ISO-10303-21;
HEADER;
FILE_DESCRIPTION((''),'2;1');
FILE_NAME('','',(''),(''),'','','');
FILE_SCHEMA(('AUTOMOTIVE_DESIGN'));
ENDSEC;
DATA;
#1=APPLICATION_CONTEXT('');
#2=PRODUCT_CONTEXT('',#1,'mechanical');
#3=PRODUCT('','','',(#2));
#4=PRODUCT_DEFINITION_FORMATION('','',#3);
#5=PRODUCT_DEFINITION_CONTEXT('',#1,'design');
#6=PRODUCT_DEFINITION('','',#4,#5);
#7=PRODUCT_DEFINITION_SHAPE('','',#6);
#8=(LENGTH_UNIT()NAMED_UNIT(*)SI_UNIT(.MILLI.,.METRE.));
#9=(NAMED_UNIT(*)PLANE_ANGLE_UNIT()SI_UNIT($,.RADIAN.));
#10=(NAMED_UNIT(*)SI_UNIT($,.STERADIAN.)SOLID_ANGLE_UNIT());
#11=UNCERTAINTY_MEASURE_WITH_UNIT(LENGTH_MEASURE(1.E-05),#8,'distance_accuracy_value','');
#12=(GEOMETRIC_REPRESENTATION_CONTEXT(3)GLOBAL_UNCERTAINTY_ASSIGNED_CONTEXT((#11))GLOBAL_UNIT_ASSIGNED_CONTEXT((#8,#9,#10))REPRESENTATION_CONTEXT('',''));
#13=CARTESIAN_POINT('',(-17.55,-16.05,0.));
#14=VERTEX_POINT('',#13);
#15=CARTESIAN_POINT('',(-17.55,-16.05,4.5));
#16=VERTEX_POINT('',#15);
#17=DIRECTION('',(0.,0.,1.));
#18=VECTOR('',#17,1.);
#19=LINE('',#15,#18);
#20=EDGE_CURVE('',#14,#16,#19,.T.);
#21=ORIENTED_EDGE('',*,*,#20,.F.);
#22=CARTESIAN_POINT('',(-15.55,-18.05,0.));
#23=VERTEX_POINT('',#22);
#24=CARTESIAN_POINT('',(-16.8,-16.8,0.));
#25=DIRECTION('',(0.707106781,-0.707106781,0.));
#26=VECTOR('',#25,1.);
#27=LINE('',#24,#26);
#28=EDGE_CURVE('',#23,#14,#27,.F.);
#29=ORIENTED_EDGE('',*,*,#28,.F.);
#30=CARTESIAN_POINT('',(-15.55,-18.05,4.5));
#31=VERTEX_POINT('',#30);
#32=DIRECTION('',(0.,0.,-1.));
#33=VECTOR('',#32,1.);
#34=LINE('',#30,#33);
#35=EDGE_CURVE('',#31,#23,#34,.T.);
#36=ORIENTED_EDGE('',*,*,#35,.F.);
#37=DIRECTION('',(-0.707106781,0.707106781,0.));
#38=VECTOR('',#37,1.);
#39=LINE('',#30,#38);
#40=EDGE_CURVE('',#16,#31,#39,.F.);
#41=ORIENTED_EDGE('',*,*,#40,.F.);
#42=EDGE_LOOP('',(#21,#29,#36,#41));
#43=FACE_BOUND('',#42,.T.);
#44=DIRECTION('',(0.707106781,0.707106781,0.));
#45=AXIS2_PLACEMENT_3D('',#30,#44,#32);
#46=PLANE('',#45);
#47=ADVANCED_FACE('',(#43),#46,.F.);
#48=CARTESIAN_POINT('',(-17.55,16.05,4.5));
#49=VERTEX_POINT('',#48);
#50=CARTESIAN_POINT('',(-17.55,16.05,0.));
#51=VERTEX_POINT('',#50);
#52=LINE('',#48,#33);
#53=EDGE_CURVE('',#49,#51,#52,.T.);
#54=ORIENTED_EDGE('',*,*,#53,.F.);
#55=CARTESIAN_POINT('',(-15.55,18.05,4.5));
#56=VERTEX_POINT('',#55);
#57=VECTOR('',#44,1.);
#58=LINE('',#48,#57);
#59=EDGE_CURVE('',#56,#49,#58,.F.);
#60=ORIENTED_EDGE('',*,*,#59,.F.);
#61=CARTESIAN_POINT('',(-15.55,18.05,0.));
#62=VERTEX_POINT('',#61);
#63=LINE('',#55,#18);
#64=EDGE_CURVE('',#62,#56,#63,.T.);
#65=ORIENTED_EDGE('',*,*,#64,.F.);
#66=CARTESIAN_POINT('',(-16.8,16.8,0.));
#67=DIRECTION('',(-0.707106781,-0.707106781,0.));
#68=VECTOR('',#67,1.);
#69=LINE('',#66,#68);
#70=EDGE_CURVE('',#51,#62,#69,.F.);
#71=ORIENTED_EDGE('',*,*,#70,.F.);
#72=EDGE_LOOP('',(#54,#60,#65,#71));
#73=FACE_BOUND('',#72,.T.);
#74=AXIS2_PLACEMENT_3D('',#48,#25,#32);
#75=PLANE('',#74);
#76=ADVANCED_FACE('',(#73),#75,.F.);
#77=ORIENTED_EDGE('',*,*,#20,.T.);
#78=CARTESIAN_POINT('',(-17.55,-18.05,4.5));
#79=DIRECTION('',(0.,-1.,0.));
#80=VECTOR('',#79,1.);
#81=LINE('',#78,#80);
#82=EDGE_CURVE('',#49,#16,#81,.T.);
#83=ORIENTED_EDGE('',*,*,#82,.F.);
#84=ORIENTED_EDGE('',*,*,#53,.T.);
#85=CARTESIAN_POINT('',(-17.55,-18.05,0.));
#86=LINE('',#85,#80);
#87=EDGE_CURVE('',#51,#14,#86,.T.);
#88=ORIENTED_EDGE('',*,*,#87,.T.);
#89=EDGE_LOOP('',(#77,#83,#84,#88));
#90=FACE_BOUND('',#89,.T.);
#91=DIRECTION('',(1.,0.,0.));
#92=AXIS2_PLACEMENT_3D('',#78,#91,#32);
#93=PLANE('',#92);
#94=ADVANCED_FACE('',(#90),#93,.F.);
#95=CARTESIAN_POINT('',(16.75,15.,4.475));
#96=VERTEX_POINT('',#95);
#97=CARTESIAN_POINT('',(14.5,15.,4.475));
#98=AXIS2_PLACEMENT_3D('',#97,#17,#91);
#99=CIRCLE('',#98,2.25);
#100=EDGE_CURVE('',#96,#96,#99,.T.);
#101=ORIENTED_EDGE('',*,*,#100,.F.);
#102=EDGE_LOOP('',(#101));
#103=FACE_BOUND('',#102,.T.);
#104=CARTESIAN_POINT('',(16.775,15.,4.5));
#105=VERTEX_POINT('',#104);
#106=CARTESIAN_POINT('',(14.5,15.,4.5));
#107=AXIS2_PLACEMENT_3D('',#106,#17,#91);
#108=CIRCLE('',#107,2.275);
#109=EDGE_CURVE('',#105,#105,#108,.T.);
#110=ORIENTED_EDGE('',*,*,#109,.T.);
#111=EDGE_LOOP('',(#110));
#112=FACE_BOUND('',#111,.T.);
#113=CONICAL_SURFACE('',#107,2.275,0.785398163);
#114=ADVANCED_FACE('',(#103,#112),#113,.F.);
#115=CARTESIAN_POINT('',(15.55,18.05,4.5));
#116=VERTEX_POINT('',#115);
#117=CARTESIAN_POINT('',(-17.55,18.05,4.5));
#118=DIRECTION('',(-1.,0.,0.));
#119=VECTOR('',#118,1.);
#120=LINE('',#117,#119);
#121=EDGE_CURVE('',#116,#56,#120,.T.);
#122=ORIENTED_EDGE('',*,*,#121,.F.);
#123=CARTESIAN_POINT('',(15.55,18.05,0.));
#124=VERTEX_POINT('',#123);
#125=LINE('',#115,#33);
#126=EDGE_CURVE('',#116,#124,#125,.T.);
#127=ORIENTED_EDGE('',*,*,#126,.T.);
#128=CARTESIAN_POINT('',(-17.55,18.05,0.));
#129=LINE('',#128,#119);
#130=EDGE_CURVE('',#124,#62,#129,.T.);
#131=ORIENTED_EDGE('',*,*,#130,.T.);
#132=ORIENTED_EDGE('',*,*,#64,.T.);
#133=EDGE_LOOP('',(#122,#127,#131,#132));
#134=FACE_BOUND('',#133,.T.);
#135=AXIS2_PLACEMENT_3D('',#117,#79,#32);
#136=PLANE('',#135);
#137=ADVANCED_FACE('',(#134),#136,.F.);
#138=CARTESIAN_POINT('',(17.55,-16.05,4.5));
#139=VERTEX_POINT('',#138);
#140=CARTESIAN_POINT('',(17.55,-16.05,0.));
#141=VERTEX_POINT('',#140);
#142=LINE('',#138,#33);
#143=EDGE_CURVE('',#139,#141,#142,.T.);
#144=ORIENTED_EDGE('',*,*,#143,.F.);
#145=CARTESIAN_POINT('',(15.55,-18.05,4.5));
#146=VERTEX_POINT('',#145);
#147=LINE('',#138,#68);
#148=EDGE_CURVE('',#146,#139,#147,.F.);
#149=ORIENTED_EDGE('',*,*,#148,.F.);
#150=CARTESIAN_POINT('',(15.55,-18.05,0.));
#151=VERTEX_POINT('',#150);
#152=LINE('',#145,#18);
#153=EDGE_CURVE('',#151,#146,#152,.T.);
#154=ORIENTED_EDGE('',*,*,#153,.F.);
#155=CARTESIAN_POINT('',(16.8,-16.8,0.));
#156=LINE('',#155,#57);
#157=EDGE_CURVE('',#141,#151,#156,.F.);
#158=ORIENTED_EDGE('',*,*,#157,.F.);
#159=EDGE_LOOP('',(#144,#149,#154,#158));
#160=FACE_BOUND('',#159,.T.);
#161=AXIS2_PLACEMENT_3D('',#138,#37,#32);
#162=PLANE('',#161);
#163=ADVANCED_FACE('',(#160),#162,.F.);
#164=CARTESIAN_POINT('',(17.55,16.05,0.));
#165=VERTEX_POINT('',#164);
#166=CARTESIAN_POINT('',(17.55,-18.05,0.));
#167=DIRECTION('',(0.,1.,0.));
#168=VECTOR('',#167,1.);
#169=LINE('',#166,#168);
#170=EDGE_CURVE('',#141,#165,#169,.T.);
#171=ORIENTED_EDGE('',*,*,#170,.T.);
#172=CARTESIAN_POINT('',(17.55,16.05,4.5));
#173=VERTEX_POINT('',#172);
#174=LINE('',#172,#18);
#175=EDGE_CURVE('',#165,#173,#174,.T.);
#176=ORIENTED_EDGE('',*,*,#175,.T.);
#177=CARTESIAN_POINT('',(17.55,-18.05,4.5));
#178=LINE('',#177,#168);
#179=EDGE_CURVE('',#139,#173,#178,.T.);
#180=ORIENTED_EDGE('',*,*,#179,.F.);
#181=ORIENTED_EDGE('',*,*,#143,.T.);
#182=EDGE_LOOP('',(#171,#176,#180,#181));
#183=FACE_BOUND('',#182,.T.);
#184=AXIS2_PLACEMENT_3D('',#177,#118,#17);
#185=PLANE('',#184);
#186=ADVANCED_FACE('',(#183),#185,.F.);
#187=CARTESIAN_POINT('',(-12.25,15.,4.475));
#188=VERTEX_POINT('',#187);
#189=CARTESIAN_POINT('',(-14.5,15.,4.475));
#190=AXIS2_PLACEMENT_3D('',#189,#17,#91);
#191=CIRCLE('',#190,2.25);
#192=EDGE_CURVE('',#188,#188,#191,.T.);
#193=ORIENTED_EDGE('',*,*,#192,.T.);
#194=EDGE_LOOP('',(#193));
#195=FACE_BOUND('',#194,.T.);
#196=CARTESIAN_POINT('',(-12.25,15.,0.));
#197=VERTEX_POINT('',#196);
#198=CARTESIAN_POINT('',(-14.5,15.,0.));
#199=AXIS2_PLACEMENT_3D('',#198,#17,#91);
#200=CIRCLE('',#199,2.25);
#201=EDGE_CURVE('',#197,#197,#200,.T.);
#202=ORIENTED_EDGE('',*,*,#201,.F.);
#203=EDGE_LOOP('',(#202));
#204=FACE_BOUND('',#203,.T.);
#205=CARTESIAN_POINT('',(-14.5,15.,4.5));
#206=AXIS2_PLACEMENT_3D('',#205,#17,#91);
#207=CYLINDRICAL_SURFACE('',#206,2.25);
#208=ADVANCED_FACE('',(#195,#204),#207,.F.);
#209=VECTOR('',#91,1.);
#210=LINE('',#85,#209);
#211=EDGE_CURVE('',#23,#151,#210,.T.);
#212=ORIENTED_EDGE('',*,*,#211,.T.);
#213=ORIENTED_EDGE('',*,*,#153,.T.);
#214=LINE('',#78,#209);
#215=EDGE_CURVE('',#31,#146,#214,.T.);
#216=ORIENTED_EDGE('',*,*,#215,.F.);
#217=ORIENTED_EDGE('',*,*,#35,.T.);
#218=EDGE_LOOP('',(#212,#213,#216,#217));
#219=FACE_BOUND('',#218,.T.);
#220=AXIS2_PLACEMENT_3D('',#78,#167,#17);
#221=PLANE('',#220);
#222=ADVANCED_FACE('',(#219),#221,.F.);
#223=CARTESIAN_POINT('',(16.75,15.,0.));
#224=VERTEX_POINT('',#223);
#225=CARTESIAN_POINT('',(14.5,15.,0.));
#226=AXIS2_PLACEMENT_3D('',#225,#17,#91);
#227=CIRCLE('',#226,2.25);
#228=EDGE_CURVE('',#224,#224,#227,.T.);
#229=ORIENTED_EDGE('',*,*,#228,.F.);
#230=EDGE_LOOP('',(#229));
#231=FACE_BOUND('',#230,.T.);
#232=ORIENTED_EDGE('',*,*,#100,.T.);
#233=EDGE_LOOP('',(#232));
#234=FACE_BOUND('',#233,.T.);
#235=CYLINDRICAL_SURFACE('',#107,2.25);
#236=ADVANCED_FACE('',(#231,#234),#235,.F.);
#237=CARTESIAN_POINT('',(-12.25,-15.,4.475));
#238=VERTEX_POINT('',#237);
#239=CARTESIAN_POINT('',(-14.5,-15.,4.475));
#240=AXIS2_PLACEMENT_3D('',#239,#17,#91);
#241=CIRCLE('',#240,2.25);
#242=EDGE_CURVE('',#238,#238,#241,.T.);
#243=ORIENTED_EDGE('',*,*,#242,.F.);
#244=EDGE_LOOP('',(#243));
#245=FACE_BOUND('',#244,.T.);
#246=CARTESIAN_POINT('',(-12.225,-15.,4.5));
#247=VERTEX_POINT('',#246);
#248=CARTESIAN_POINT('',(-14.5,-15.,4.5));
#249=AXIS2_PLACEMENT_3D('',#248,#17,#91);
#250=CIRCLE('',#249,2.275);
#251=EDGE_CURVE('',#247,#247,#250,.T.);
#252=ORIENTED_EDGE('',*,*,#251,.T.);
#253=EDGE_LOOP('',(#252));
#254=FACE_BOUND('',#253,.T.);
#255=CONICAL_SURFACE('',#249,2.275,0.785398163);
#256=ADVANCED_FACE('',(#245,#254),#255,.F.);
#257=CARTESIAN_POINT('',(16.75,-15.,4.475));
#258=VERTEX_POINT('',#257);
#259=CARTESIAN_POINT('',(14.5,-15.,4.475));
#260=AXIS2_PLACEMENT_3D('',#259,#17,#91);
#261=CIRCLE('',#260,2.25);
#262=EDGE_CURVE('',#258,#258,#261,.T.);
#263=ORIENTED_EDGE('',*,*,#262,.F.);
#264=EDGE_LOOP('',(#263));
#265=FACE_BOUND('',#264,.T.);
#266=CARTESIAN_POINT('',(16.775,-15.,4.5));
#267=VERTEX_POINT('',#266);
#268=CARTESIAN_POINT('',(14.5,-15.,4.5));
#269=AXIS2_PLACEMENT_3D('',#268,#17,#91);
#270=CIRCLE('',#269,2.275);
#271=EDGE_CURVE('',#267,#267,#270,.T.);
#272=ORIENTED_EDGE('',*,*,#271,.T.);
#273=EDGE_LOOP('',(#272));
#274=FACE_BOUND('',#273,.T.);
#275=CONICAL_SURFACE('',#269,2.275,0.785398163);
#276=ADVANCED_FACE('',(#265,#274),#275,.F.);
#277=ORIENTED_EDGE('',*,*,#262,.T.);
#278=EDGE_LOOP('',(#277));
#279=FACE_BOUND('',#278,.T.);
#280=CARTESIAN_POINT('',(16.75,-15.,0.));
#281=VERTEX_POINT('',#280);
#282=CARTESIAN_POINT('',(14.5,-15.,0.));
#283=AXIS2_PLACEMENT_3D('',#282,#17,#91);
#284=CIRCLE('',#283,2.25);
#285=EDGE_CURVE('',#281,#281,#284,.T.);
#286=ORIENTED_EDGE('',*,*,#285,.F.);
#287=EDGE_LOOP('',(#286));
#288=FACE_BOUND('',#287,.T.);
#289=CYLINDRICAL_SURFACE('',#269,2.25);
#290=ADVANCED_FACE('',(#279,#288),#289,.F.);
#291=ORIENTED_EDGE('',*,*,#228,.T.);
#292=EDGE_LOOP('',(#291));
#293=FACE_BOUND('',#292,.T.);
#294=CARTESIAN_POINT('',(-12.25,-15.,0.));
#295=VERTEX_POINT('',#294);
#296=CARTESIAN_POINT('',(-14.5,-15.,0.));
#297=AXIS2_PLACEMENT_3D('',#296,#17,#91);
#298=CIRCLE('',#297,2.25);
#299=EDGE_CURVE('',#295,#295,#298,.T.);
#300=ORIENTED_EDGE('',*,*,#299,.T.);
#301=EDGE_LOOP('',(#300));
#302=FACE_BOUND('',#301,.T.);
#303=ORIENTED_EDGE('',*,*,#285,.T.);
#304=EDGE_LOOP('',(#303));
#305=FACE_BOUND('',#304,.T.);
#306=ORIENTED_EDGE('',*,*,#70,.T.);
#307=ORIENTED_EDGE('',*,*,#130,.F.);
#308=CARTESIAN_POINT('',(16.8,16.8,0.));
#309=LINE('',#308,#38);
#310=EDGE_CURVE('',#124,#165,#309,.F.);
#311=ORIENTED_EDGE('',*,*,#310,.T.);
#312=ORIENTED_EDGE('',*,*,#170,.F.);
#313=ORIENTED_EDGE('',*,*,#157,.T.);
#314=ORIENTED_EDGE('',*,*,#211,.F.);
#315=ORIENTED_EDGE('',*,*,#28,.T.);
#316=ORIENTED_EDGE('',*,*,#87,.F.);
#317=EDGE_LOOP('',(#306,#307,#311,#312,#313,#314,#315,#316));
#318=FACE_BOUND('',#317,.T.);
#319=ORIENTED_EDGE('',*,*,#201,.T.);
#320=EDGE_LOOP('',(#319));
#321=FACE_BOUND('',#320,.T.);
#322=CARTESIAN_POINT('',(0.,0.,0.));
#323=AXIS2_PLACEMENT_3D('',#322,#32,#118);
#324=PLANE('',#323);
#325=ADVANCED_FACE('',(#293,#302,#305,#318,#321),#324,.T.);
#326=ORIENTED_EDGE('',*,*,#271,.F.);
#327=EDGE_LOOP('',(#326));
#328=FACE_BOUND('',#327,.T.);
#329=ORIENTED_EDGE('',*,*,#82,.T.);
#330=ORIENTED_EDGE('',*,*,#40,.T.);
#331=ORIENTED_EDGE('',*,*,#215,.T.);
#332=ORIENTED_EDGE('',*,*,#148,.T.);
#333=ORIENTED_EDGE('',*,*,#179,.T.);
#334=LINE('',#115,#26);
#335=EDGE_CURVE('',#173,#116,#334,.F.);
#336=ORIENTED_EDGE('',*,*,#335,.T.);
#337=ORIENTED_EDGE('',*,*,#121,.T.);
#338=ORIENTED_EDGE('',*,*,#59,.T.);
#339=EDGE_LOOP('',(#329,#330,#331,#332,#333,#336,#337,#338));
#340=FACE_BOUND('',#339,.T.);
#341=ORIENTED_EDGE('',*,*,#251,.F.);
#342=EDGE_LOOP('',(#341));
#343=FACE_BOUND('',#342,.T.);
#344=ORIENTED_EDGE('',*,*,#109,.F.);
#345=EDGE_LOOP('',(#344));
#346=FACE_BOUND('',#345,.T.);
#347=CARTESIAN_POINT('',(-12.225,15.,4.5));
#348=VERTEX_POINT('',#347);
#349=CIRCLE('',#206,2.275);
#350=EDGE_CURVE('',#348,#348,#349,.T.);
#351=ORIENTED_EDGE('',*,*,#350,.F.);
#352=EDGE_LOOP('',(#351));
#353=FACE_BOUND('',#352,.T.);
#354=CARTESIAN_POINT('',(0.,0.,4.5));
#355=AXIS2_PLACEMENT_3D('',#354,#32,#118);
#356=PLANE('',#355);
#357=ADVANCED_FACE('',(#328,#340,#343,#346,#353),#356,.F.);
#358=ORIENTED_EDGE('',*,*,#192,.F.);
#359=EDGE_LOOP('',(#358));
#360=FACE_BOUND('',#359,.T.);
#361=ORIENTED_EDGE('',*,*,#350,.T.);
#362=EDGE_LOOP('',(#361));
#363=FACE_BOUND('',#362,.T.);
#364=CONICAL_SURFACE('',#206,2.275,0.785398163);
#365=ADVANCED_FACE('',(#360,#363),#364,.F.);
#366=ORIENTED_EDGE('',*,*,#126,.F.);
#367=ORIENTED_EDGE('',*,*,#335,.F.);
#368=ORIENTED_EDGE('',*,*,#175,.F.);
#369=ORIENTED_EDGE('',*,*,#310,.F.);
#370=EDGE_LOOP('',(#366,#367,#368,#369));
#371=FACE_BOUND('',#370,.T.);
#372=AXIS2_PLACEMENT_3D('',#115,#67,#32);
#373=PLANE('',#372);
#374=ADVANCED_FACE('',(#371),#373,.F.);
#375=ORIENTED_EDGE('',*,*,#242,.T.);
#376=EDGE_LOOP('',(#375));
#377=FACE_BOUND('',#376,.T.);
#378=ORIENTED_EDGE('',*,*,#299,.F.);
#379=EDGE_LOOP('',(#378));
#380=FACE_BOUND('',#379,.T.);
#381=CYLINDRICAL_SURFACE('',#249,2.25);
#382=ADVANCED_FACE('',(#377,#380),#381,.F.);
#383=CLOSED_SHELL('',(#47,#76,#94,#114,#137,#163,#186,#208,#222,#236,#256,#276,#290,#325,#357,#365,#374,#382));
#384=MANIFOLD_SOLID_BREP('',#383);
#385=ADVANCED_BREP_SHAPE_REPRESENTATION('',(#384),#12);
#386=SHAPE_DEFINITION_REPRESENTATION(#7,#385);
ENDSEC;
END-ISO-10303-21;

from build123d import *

# Parameters (mm, degrees)
SKETCH_1_W                  = 35.1
SKETCH_1_H                  = 36.1
EXTRUDE_1_DEPTH             = 4.5
CHAMFER_1_SIZE              = 2
HOLE_WIZARD_M41_D           = 4.5
HOLE_WIZARD_M41_CSINK_D     = 4.55
HOLE_WIZARD_M41_CSINK_ANGLE = 90


with BuildPart() as part:
    # Эскиз1 → Бобышка-Вытянуть1 (new body)
    with BuildSketch(Plane.XY):
        Rectangle(SKETCH_1_W, SKETCH_1_H)
    extrude(amount=EXTRUDE_1_DEPTH)

    # Фаска1
    chamfer_1_edges = [part.edges().sort_by_distance(p)[0] for p in [
        (17.55, -18.05, 2.25),
        (-17.55, -18.05, 2.25),
        (-17.55, 18.05, 2.25),
        (17.55, 18.05, 2.25),
    ]]
    chamfer(chamfer_1_edges, length=CHAMFER_1_SIZE)

    # Отверстие с зазором M41 (through all)
    with Locations(Plane(origin=(-14.5, 15, 4.5), x_dir=(1, 0, 0), z_dir=(0, 0, 1))):
        with Locations((0, 0), (29, 0), (29, -30), (0, -30)):
            CounterSinkHole(HOLE_WIZARD_M41_D / 2, HOLE_WIZARD_M41_CSINK_D / 2, counter_sink_angle=HOLE_WIZARD_M41_CSINK_ANGLE)


solid = part.part
